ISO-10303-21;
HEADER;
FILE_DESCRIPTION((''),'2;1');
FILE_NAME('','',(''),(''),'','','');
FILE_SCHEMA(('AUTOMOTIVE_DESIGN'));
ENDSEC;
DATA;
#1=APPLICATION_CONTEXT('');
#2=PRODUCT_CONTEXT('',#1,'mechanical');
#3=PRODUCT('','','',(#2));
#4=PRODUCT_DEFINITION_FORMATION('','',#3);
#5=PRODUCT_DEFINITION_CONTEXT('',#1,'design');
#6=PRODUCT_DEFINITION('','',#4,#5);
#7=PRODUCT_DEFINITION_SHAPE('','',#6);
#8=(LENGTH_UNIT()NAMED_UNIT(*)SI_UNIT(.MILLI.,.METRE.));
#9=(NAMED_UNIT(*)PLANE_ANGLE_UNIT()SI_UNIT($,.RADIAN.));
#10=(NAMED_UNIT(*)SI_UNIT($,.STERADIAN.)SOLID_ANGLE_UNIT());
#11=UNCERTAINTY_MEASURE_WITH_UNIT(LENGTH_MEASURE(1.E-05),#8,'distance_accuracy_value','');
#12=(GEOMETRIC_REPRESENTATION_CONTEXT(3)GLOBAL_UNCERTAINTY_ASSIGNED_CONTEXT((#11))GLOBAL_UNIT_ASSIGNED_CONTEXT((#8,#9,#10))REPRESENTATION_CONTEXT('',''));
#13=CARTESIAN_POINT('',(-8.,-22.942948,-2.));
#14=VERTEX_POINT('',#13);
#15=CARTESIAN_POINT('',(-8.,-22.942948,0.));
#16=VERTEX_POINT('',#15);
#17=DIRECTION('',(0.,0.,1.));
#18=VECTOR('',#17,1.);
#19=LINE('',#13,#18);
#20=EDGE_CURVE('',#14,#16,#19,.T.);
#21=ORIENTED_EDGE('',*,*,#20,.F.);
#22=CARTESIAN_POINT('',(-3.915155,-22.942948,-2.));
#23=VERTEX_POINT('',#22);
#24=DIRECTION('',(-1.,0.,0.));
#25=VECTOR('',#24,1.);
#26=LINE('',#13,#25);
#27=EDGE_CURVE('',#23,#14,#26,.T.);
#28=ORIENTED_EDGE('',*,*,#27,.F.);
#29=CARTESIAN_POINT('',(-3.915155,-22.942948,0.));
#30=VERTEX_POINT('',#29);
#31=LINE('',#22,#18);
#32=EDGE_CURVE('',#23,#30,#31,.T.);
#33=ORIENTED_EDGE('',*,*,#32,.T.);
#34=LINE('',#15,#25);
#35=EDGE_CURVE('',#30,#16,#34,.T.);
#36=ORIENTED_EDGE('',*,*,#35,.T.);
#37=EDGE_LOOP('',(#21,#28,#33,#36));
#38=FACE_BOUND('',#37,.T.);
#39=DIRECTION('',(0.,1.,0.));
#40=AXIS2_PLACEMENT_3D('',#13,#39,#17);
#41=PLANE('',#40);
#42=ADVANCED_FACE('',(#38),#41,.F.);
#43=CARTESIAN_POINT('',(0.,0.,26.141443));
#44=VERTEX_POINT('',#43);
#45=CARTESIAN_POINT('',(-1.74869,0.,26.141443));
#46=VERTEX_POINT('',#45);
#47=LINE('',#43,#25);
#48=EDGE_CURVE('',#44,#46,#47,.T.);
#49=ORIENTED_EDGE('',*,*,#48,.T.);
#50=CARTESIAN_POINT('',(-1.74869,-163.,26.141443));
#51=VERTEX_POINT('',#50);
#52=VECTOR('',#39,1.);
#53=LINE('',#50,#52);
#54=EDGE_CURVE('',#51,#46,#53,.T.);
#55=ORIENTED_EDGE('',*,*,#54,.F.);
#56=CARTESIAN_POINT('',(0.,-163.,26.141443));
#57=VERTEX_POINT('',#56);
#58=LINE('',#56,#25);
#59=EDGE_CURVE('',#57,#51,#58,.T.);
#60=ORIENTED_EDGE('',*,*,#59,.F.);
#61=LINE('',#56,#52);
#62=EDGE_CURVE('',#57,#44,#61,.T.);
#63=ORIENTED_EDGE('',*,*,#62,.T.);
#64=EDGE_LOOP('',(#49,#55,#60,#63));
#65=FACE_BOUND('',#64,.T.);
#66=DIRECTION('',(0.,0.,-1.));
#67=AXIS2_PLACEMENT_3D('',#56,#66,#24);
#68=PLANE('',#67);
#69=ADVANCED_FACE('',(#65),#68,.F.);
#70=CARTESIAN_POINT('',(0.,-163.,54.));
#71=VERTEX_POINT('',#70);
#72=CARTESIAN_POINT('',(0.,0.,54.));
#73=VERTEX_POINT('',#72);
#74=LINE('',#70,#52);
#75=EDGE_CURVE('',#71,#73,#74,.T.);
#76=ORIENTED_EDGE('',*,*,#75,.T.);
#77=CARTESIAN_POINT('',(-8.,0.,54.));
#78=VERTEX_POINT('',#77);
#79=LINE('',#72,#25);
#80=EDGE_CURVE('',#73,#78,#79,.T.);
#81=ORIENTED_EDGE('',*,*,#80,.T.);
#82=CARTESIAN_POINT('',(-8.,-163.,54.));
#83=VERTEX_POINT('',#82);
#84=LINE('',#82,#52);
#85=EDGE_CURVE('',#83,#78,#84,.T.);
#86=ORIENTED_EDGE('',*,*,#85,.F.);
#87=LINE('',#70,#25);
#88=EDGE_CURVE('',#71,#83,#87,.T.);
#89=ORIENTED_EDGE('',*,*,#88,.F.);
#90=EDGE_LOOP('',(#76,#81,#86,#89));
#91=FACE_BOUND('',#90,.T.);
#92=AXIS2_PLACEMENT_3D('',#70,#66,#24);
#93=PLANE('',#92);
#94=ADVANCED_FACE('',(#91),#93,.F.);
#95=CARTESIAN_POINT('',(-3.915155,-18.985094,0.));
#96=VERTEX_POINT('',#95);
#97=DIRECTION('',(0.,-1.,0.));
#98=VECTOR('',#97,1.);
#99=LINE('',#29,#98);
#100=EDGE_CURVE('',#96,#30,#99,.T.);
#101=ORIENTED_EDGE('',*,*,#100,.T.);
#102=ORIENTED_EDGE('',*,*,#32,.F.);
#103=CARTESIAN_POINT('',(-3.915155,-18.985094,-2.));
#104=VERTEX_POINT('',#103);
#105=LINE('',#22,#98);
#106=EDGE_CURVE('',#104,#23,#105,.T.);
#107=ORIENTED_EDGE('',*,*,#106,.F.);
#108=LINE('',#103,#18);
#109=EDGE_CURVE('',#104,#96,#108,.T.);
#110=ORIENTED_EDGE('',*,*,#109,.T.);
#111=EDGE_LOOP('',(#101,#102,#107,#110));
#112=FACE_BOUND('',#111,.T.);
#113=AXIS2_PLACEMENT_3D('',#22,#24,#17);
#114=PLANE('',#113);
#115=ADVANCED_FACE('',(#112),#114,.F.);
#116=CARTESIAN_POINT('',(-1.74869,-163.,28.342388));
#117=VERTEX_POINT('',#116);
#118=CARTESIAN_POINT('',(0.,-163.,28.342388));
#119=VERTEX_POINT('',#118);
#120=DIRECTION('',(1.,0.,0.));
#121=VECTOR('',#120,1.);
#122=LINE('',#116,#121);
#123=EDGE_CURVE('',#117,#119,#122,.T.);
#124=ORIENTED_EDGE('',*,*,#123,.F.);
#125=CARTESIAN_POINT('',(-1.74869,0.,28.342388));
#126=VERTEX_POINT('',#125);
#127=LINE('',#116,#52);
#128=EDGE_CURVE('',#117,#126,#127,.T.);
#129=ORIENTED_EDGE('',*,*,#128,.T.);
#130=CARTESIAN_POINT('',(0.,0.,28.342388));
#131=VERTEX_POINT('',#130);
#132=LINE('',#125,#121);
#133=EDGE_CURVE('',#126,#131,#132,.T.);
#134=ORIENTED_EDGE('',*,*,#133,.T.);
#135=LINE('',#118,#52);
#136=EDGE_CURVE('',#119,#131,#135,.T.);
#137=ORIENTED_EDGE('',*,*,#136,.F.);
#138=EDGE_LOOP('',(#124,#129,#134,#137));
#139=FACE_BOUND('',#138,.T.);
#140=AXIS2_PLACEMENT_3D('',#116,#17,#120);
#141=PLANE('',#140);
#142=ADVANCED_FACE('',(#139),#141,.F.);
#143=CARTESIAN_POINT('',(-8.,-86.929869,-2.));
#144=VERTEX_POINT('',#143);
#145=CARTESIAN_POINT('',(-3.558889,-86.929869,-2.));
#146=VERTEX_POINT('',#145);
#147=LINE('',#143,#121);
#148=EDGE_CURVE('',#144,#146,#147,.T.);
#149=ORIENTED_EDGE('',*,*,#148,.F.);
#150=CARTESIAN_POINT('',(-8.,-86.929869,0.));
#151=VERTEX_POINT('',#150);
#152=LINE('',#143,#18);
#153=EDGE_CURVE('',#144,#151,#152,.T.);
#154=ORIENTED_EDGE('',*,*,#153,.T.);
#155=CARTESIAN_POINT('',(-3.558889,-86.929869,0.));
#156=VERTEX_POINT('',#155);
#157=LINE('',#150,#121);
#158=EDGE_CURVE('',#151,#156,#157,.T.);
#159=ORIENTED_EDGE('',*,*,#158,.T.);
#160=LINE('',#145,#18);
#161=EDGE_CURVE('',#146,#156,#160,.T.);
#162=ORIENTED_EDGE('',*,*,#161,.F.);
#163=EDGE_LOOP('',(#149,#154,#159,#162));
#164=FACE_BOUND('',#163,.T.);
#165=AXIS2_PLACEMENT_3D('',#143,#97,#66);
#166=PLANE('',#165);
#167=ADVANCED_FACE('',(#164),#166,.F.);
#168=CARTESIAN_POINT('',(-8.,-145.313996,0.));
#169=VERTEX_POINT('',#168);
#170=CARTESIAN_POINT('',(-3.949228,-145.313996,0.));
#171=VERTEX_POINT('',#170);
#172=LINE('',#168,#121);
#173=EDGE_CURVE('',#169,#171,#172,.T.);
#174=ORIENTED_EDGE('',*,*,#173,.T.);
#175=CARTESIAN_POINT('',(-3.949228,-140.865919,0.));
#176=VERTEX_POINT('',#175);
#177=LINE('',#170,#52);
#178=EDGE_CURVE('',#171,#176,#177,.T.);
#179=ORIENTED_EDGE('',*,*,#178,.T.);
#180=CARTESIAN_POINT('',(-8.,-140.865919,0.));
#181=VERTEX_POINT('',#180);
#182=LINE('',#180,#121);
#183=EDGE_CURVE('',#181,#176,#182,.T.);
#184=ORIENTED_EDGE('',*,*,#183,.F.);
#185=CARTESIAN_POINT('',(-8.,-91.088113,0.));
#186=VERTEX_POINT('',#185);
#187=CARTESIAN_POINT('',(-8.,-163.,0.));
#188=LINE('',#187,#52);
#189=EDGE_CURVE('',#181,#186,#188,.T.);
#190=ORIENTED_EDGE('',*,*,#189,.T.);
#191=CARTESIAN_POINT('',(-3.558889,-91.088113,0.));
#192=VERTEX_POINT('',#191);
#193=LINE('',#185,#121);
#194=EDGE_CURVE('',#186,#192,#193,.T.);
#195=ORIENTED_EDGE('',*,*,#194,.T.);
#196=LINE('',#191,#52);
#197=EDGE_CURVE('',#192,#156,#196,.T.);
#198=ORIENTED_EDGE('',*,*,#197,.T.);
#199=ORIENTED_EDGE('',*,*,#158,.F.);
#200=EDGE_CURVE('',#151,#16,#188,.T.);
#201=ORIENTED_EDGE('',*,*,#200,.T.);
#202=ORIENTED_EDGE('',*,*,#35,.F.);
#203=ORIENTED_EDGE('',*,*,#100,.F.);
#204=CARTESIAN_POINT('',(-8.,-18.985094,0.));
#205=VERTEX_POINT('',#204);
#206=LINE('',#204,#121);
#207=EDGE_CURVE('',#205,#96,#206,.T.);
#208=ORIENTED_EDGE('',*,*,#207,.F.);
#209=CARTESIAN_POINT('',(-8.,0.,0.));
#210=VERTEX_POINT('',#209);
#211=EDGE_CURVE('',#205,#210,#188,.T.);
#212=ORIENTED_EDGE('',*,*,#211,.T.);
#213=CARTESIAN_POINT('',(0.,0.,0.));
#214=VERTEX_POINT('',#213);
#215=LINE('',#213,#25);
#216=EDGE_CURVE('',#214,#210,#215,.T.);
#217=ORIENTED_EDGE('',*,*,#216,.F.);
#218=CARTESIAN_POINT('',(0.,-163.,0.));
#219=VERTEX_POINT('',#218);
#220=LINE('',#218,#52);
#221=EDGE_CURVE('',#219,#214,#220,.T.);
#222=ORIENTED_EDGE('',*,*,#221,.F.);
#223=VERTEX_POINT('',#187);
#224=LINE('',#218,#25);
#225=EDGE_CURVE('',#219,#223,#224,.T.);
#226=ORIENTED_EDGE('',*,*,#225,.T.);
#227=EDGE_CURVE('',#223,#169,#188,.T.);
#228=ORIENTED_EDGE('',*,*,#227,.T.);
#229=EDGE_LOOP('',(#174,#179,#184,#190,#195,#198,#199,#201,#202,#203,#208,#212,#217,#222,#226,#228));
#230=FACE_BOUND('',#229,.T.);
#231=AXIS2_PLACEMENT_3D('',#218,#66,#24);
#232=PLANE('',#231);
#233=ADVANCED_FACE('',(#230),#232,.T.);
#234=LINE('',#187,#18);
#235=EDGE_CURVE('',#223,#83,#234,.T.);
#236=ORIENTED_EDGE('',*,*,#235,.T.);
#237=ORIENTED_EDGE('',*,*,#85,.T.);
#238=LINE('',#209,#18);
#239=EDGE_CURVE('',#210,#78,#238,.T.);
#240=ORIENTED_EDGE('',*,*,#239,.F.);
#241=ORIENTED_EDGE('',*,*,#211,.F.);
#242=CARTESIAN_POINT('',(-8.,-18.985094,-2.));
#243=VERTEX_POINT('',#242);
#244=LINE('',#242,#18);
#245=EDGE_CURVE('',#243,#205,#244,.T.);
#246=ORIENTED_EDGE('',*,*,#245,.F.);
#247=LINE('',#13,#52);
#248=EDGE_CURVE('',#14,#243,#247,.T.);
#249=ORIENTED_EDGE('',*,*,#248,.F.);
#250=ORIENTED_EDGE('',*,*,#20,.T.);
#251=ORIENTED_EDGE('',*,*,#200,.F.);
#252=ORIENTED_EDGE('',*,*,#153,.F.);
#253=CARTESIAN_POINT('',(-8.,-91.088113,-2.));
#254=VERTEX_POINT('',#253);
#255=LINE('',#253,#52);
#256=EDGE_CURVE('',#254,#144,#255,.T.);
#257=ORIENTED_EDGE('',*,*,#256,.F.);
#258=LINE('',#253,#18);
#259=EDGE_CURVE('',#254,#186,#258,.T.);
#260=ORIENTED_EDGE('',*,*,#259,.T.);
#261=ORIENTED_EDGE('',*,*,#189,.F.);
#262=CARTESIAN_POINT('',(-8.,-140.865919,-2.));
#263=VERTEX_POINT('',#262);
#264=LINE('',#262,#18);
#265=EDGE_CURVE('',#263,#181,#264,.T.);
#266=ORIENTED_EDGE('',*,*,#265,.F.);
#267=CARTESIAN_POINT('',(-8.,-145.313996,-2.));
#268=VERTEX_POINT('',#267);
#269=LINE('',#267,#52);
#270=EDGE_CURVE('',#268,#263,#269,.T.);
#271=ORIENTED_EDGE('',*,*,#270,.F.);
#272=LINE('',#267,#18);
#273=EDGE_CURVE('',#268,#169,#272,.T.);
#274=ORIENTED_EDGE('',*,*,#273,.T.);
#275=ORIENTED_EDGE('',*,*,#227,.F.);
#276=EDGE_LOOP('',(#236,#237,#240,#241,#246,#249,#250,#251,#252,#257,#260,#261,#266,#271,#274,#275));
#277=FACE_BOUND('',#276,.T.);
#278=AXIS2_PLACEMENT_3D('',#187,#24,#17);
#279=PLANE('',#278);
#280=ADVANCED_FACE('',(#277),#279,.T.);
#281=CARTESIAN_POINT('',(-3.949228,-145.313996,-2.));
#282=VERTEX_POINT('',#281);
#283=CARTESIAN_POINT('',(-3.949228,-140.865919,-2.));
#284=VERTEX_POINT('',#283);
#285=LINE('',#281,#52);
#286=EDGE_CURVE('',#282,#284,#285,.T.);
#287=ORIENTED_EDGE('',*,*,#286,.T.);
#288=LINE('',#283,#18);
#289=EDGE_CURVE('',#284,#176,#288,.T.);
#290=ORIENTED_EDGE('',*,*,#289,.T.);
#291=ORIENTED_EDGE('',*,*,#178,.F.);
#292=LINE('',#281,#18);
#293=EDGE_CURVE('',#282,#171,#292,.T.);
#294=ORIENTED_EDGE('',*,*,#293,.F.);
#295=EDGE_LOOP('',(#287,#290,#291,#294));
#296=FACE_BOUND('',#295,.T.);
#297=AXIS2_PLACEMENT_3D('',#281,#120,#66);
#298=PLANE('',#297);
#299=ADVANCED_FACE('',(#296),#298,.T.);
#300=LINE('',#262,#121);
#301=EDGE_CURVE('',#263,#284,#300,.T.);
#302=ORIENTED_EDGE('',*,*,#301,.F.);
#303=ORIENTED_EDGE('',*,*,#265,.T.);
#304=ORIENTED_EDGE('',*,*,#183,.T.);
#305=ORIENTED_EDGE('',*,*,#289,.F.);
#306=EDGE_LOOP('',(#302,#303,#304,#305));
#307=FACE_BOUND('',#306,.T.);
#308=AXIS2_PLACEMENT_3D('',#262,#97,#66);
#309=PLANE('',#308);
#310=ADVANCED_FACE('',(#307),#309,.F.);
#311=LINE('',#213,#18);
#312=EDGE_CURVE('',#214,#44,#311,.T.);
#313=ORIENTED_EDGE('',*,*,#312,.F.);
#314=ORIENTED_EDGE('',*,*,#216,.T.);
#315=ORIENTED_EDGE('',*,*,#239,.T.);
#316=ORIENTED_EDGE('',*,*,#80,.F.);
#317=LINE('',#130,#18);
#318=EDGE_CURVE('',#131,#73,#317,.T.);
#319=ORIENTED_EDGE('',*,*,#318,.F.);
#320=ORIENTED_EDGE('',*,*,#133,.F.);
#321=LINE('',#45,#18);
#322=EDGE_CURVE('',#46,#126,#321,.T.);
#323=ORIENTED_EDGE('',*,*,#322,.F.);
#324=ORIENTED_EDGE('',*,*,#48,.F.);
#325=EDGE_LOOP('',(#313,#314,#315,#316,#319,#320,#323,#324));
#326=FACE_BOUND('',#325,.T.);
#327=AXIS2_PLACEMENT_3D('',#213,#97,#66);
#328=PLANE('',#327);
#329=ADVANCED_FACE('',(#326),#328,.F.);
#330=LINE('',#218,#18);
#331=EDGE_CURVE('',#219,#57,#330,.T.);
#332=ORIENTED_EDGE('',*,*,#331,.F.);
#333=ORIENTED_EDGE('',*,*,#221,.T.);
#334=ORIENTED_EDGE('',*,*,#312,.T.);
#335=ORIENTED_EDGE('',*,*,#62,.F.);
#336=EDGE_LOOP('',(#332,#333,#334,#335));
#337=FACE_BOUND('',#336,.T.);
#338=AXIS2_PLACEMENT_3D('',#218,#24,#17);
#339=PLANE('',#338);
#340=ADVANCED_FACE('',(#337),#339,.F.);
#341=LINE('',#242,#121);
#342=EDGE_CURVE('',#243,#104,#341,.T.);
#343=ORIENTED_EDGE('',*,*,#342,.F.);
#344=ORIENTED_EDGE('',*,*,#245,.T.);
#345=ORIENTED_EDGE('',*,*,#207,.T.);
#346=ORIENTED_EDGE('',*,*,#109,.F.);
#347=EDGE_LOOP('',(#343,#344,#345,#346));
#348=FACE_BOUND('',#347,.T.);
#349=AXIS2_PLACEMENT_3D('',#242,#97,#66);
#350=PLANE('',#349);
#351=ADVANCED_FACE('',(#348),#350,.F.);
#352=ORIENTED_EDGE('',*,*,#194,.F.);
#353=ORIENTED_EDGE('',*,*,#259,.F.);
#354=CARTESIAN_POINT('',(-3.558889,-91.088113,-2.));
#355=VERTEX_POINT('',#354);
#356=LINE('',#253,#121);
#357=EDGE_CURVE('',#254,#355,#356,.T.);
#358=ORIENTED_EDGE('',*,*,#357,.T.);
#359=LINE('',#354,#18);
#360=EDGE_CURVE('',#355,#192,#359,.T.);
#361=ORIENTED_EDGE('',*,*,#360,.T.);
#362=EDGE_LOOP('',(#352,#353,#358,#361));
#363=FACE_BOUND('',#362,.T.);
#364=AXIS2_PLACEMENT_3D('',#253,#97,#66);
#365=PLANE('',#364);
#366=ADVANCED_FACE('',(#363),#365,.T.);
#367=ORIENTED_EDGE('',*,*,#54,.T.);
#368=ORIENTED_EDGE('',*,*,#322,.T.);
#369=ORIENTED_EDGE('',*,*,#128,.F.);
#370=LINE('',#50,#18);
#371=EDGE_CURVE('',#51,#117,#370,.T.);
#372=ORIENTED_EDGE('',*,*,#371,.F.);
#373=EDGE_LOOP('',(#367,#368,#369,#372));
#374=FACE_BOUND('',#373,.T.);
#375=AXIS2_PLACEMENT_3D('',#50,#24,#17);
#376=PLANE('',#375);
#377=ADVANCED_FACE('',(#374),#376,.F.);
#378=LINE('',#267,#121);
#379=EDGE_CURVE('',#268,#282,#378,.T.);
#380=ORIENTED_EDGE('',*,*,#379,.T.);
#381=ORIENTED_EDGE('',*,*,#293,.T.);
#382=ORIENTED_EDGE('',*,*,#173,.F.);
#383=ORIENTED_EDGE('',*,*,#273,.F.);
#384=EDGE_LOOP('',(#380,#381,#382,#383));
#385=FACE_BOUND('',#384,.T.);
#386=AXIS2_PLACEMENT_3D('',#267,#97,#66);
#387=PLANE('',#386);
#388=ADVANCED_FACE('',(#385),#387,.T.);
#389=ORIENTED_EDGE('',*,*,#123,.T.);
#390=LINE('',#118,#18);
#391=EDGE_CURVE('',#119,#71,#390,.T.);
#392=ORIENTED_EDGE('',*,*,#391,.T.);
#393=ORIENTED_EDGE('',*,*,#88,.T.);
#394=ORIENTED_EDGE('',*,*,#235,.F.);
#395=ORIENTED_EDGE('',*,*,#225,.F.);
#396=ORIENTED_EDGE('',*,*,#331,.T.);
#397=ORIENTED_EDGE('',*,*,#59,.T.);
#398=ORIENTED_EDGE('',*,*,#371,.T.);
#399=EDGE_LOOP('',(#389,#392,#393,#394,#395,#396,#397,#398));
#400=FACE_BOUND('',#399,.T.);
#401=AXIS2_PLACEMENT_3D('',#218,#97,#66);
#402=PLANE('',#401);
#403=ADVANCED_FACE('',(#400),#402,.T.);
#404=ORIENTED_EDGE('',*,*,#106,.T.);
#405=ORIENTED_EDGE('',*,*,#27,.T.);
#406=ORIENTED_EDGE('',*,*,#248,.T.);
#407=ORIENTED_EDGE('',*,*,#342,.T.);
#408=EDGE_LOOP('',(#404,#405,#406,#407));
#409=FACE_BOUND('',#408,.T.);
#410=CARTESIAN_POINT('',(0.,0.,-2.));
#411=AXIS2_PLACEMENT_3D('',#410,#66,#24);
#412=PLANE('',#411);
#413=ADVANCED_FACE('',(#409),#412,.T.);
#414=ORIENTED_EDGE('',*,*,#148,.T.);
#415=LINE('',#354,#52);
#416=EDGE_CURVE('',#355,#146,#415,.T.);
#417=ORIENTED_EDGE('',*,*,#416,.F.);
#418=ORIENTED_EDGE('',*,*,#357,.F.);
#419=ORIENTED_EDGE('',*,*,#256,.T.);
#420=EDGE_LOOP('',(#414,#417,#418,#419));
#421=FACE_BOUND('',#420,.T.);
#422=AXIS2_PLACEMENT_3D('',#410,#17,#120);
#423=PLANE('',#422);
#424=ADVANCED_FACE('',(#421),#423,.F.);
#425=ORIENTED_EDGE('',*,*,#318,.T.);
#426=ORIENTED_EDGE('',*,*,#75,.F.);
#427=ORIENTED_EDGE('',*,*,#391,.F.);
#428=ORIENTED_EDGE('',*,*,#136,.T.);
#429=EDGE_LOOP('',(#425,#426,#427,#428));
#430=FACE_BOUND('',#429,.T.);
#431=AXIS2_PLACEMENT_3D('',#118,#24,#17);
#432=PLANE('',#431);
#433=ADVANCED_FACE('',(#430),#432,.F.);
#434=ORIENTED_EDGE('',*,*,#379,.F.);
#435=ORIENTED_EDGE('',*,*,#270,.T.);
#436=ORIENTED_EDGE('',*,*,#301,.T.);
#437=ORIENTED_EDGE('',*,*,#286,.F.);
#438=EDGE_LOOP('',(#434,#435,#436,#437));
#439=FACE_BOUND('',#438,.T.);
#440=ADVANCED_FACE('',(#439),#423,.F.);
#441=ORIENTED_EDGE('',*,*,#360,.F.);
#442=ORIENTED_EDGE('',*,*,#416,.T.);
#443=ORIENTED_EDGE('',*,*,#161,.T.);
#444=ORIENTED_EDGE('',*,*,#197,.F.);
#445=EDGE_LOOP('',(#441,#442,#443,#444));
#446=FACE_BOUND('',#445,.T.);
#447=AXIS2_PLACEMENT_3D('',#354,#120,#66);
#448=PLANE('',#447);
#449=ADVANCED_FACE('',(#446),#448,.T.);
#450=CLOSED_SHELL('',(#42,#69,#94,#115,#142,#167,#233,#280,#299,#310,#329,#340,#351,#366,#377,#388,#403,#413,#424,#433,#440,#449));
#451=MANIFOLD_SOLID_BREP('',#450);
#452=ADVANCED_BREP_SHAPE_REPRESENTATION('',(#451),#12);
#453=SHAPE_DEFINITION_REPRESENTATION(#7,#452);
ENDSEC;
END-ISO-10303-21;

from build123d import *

# Parameters (mm, degrees)
EXTRUDE_1_DEPTH = 163
SKETCH_2_W      = 4.084844537
SKETCH_2_H      = 3.957854635
EXTRUDE_2_DEPTH = 2
SKETCH_3_W      = 4.4411109
SKETCH_3_H      = 4.15824399
EXTRUDE_3_DEPTH = 2
SKETCH_4_W      = 4.050772352
SKETCH_4_H      = 4.448077529
EXTRUDE_4_DEPTH = 2


with BuildPart() as part:
    # 草图1 → 凸台-拉伸1 (new body)
    with BuildSketch(Plane(origin=(0, 0, 0), x_dir=(1, 0, 0), z_dir=(0, 1, 0))):
        Polygon((0, -26.141443499), (-1.748690073, -26.141443499), (-1.748690073, -28.342387862), (0, -28.342387862), (0, -54), (-8, -54), (-8, 0), (0, 0), align=None)
    extrude(amount=-EXTRUDE_1_DEPTH)

    # 草图2 → 凸台-拉伸2 (add)
    with BuildSketch(Plane(origin=(0, 0, 0), x_dir=(-1, 0, 0), z_dir=(0, 0, -1))):
        with Locations((5.957577731, -20.96402105)):
            Rectangle(SKETCH_2_W, SKETCH_2_H)
    extrude(amount=EXTRUDE_2_DEPTH)

    # 草图3 → 凸台-拉伸3 (add)
    with BuildSketch(Plane(origin=(0, 0, 0), x_dir=(-1, 0, 0), z_dir=(0, 0, -1))):
        with Locations((5.77944455, -89.008990741)):
            Rectangle(SKETCH_3_W, SKETCH_3_H)
    extrude(amount=EXTRUDE_3_DEPTH)

    # 草图4 → 凸台-拉伸4 (add)
    with BuildSketch(Plane(origin=(0, 0, 0), x_dir=(-1, 0, 0), z_dir=(0, 0, -1))):
        with Locations((5.974613824, -143.08995755)):
            Rectangle(SKETCH_4_W, SKETCH_4_H)
    extrude(amount=EXTRUDE_4_DEPTH)


solid = part.part
